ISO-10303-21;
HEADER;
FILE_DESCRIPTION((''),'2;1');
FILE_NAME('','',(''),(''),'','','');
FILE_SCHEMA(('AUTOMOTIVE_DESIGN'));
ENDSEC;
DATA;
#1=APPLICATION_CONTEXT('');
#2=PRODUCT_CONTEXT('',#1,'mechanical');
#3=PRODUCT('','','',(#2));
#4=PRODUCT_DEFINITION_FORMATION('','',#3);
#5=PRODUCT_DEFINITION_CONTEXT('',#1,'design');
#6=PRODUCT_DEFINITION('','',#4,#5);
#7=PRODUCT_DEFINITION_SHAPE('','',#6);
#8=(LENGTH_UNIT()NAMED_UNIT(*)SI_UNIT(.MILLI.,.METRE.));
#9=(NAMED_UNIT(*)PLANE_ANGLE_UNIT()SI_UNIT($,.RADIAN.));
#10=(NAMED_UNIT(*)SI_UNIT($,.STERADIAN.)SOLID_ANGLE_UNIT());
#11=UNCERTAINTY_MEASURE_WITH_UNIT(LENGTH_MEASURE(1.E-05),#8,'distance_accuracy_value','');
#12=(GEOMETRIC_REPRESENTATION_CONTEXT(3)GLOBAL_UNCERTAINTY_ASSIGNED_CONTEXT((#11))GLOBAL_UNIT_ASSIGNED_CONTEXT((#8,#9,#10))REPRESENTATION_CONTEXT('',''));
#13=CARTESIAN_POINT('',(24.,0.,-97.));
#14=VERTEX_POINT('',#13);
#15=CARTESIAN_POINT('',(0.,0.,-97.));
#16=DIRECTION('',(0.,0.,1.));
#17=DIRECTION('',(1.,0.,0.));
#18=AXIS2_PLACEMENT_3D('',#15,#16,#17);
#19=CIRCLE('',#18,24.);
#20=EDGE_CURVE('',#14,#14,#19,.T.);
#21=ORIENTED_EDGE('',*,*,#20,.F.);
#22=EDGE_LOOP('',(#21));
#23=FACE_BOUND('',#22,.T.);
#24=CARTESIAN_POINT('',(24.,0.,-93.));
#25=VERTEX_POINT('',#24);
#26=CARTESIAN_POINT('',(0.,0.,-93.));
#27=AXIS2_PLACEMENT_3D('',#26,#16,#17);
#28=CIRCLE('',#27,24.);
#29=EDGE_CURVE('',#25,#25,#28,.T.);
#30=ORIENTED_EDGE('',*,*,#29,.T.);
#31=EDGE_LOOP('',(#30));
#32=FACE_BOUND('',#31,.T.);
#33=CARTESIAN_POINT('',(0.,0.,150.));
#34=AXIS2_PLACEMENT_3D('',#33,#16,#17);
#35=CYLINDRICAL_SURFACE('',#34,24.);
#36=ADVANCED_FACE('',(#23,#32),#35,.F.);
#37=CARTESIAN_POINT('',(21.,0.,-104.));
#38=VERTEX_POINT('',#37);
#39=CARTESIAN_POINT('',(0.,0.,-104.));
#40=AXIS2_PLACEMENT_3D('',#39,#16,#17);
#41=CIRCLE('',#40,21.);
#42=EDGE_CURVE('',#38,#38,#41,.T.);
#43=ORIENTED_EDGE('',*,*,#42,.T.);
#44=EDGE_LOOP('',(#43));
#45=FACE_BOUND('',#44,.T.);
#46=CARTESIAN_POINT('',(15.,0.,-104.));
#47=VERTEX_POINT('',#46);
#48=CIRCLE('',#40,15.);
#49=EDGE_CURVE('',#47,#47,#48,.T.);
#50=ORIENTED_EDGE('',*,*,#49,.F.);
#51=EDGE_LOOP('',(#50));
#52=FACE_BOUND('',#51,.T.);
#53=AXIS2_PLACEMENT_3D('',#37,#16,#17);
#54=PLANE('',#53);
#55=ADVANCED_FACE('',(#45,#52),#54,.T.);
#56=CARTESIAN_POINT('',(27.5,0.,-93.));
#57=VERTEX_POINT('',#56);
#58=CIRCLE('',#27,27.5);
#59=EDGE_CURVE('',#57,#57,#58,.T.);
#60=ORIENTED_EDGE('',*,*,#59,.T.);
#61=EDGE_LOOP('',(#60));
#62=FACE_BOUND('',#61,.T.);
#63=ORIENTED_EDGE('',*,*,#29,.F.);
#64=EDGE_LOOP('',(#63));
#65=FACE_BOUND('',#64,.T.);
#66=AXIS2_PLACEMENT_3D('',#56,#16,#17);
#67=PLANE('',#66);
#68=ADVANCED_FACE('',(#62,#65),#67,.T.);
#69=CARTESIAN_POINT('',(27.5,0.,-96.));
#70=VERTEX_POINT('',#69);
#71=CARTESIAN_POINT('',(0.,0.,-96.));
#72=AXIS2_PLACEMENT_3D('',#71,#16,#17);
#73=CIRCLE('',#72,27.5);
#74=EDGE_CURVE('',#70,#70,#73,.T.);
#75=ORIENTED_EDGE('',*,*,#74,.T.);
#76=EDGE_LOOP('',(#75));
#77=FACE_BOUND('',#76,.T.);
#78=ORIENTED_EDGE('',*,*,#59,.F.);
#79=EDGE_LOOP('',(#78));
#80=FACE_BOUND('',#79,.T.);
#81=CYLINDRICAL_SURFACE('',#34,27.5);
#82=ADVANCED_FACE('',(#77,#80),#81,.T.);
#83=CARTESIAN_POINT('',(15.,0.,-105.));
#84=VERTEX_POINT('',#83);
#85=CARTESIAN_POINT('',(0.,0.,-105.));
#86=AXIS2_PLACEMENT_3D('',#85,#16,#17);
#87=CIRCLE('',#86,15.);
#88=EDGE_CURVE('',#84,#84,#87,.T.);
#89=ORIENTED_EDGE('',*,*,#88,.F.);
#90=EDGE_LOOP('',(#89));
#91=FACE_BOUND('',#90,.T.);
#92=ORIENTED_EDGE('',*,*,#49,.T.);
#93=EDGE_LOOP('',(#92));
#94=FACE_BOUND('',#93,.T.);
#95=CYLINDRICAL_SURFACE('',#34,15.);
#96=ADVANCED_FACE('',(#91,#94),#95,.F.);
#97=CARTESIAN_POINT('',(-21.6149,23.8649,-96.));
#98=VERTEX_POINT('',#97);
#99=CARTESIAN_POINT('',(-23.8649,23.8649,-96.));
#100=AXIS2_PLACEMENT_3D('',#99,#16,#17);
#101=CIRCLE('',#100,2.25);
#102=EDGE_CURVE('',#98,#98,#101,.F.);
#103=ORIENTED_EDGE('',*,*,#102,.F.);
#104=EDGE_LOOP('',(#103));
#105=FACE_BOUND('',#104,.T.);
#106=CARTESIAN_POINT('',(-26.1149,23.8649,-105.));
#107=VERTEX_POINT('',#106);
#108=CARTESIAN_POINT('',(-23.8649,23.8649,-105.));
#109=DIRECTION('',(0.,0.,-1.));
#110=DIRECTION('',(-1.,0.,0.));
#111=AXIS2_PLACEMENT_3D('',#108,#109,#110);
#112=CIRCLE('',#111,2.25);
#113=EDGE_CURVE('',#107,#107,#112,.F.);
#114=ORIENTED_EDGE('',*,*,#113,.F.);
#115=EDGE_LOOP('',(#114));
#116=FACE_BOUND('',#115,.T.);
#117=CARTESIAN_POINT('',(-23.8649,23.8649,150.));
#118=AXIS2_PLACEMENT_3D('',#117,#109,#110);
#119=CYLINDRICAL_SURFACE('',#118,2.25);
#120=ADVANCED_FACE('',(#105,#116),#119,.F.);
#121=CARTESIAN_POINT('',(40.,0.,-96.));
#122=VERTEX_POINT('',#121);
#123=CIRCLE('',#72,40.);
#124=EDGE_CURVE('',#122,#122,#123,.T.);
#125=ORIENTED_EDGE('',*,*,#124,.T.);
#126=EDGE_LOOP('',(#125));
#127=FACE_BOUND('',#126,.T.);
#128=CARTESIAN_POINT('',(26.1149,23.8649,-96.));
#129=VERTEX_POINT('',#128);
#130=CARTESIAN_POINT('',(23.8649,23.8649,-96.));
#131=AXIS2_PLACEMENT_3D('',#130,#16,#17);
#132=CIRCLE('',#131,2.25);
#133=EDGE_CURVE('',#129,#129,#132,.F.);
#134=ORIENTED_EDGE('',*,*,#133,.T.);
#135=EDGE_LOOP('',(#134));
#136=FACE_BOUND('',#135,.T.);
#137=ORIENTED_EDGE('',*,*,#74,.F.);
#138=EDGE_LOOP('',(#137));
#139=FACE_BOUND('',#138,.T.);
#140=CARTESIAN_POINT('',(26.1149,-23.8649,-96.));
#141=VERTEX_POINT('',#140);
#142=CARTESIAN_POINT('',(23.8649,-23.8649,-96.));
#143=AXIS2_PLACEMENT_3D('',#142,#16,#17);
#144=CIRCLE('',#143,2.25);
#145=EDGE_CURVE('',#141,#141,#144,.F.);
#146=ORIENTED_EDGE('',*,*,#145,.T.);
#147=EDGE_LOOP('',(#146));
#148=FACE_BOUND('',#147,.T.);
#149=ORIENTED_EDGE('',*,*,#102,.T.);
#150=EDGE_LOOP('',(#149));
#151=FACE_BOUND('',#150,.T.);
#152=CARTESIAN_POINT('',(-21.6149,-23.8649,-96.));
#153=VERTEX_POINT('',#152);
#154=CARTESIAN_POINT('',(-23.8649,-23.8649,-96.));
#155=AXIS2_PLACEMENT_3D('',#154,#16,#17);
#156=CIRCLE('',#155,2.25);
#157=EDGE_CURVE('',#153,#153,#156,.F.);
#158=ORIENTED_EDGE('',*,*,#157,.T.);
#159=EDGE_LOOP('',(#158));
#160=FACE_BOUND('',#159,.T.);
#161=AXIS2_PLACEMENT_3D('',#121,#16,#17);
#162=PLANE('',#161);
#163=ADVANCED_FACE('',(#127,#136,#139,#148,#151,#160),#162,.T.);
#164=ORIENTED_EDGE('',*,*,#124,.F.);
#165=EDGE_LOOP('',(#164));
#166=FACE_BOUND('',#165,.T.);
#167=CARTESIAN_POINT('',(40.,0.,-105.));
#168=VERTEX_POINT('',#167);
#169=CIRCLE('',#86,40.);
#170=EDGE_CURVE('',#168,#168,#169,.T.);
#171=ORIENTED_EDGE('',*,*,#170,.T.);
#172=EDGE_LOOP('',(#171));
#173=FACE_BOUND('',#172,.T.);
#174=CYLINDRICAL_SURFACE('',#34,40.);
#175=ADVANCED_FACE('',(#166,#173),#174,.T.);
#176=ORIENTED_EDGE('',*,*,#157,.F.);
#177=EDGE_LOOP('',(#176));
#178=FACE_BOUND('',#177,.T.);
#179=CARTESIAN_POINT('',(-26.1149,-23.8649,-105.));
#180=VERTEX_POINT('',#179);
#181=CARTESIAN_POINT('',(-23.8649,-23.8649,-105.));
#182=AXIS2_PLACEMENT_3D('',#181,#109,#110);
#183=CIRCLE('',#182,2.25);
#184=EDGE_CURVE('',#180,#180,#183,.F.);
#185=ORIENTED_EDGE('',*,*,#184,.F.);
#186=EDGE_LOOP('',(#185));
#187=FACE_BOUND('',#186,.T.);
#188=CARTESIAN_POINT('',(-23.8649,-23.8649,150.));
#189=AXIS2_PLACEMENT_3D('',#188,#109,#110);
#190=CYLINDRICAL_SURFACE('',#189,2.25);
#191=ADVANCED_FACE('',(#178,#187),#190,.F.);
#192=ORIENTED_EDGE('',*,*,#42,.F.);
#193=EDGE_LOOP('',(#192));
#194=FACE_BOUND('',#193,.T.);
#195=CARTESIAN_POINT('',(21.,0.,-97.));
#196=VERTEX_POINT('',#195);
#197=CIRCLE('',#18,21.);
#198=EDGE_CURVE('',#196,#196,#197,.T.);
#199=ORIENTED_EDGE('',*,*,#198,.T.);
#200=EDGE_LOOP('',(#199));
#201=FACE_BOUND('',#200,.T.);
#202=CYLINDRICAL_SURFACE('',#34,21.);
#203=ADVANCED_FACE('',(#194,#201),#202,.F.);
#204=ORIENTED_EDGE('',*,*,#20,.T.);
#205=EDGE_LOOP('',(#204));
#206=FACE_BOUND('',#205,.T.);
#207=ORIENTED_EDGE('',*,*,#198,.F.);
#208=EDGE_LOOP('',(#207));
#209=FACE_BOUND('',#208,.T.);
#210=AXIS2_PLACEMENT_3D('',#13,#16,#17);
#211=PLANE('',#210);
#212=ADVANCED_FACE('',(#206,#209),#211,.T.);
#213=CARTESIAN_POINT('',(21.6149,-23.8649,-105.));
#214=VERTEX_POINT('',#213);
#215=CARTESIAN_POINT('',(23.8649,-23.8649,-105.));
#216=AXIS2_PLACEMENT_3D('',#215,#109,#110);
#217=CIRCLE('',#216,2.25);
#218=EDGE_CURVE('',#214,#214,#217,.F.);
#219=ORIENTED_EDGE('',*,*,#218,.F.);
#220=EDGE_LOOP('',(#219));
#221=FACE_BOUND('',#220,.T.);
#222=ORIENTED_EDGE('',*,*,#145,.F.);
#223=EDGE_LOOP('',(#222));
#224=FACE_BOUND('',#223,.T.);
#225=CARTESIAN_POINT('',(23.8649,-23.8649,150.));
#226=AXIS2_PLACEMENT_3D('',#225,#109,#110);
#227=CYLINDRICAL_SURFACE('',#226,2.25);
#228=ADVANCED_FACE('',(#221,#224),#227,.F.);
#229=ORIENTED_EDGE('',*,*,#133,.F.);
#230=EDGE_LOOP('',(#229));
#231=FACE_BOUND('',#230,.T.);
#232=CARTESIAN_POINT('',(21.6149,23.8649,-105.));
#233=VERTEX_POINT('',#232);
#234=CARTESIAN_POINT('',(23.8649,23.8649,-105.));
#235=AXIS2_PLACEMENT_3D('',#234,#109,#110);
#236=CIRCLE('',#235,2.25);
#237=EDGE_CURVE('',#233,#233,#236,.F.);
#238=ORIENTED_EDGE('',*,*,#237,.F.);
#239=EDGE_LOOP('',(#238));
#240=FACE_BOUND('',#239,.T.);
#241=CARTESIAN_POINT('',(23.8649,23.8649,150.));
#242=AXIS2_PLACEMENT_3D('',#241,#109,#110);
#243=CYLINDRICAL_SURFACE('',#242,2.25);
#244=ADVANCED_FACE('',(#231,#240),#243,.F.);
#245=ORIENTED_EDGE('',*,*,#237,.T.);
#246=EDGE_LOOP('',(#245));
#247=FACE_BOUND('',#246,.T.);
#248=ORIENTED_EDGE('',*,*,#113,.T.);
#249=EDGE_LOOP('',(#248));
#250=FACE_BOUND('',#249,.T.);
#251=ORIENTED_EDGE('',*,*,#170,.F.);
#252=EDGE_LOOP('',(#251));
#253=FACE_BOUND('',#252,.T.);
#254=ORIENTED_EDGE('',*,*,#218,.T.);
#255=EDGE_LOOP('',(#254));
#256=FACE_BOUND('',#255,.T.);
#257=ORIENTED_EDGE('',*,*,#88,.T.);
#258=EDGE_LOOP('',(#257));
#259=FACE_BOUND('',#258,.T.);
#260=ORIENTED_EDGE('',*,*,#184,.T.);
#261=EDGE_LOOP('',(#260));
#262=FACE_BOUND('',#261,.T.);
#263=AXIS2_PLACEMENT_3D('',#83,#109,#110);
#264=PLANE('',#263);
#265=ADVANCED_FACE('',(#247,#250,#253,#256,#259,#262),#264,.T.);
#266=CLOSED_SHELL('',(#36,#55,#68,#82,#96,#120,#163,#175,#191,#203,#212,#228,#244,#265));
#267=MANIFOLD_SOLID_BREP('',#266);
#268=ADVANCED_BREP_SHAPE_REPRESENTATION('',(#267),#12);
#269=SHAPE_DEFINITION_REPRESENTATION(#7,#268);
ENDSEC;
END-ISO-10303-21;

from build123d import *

# Parameters (mm, degrees)
SKETCH4_R                = 2.25
CUT_4XD4_5_PCD67_5_DEPTH = 150


with BuildPart() as part:
    # Sketch3 → REV_Seal_Cover_28x42x7 (revolve)
    with BuildSketch(Plane(origin=(0, 0, 0), x_dir=(1, 0, 0), z_dir=(0, 1, 0))):
        Polygon((15, 105), (40, 105), (40, 96), (27.5, 96), (27.5, 93), (24, 93), (24, 97), (21, 97), (21, 104), (15, 104), align=None)
    revolve(axis=Axis((0, 0, 150), (0, 0, -1)))

    # Sketch4 → CUT_4xD4.5_PCD67.5 (cut, symmetric)
    with BuildSketch(Plane.XY):
        with Locations(Location((23.8649, 23.8649, 0), (0, 0, 180))):
            Circle(SKETCH4_R)
        with Locations(Location((-23.8649, 23.8649, 0), (0, 0, 180))):
            Circle(SKETCH4_R)
        with Locations(Location((-23.8649, -23.8649, 0), (0, 0, 180))):
            Circle(SKETCH4_R)
        with Locations(Location((23.8649, -23.8649, 0), (0, 0, 180))):
            Circle(SKETCH4_R)
    extrude(amount=CUT_4XD4_5_PCD67_5_DEPTH, both=True, mode=Mode.SUBTRACT)


solid = part.part
